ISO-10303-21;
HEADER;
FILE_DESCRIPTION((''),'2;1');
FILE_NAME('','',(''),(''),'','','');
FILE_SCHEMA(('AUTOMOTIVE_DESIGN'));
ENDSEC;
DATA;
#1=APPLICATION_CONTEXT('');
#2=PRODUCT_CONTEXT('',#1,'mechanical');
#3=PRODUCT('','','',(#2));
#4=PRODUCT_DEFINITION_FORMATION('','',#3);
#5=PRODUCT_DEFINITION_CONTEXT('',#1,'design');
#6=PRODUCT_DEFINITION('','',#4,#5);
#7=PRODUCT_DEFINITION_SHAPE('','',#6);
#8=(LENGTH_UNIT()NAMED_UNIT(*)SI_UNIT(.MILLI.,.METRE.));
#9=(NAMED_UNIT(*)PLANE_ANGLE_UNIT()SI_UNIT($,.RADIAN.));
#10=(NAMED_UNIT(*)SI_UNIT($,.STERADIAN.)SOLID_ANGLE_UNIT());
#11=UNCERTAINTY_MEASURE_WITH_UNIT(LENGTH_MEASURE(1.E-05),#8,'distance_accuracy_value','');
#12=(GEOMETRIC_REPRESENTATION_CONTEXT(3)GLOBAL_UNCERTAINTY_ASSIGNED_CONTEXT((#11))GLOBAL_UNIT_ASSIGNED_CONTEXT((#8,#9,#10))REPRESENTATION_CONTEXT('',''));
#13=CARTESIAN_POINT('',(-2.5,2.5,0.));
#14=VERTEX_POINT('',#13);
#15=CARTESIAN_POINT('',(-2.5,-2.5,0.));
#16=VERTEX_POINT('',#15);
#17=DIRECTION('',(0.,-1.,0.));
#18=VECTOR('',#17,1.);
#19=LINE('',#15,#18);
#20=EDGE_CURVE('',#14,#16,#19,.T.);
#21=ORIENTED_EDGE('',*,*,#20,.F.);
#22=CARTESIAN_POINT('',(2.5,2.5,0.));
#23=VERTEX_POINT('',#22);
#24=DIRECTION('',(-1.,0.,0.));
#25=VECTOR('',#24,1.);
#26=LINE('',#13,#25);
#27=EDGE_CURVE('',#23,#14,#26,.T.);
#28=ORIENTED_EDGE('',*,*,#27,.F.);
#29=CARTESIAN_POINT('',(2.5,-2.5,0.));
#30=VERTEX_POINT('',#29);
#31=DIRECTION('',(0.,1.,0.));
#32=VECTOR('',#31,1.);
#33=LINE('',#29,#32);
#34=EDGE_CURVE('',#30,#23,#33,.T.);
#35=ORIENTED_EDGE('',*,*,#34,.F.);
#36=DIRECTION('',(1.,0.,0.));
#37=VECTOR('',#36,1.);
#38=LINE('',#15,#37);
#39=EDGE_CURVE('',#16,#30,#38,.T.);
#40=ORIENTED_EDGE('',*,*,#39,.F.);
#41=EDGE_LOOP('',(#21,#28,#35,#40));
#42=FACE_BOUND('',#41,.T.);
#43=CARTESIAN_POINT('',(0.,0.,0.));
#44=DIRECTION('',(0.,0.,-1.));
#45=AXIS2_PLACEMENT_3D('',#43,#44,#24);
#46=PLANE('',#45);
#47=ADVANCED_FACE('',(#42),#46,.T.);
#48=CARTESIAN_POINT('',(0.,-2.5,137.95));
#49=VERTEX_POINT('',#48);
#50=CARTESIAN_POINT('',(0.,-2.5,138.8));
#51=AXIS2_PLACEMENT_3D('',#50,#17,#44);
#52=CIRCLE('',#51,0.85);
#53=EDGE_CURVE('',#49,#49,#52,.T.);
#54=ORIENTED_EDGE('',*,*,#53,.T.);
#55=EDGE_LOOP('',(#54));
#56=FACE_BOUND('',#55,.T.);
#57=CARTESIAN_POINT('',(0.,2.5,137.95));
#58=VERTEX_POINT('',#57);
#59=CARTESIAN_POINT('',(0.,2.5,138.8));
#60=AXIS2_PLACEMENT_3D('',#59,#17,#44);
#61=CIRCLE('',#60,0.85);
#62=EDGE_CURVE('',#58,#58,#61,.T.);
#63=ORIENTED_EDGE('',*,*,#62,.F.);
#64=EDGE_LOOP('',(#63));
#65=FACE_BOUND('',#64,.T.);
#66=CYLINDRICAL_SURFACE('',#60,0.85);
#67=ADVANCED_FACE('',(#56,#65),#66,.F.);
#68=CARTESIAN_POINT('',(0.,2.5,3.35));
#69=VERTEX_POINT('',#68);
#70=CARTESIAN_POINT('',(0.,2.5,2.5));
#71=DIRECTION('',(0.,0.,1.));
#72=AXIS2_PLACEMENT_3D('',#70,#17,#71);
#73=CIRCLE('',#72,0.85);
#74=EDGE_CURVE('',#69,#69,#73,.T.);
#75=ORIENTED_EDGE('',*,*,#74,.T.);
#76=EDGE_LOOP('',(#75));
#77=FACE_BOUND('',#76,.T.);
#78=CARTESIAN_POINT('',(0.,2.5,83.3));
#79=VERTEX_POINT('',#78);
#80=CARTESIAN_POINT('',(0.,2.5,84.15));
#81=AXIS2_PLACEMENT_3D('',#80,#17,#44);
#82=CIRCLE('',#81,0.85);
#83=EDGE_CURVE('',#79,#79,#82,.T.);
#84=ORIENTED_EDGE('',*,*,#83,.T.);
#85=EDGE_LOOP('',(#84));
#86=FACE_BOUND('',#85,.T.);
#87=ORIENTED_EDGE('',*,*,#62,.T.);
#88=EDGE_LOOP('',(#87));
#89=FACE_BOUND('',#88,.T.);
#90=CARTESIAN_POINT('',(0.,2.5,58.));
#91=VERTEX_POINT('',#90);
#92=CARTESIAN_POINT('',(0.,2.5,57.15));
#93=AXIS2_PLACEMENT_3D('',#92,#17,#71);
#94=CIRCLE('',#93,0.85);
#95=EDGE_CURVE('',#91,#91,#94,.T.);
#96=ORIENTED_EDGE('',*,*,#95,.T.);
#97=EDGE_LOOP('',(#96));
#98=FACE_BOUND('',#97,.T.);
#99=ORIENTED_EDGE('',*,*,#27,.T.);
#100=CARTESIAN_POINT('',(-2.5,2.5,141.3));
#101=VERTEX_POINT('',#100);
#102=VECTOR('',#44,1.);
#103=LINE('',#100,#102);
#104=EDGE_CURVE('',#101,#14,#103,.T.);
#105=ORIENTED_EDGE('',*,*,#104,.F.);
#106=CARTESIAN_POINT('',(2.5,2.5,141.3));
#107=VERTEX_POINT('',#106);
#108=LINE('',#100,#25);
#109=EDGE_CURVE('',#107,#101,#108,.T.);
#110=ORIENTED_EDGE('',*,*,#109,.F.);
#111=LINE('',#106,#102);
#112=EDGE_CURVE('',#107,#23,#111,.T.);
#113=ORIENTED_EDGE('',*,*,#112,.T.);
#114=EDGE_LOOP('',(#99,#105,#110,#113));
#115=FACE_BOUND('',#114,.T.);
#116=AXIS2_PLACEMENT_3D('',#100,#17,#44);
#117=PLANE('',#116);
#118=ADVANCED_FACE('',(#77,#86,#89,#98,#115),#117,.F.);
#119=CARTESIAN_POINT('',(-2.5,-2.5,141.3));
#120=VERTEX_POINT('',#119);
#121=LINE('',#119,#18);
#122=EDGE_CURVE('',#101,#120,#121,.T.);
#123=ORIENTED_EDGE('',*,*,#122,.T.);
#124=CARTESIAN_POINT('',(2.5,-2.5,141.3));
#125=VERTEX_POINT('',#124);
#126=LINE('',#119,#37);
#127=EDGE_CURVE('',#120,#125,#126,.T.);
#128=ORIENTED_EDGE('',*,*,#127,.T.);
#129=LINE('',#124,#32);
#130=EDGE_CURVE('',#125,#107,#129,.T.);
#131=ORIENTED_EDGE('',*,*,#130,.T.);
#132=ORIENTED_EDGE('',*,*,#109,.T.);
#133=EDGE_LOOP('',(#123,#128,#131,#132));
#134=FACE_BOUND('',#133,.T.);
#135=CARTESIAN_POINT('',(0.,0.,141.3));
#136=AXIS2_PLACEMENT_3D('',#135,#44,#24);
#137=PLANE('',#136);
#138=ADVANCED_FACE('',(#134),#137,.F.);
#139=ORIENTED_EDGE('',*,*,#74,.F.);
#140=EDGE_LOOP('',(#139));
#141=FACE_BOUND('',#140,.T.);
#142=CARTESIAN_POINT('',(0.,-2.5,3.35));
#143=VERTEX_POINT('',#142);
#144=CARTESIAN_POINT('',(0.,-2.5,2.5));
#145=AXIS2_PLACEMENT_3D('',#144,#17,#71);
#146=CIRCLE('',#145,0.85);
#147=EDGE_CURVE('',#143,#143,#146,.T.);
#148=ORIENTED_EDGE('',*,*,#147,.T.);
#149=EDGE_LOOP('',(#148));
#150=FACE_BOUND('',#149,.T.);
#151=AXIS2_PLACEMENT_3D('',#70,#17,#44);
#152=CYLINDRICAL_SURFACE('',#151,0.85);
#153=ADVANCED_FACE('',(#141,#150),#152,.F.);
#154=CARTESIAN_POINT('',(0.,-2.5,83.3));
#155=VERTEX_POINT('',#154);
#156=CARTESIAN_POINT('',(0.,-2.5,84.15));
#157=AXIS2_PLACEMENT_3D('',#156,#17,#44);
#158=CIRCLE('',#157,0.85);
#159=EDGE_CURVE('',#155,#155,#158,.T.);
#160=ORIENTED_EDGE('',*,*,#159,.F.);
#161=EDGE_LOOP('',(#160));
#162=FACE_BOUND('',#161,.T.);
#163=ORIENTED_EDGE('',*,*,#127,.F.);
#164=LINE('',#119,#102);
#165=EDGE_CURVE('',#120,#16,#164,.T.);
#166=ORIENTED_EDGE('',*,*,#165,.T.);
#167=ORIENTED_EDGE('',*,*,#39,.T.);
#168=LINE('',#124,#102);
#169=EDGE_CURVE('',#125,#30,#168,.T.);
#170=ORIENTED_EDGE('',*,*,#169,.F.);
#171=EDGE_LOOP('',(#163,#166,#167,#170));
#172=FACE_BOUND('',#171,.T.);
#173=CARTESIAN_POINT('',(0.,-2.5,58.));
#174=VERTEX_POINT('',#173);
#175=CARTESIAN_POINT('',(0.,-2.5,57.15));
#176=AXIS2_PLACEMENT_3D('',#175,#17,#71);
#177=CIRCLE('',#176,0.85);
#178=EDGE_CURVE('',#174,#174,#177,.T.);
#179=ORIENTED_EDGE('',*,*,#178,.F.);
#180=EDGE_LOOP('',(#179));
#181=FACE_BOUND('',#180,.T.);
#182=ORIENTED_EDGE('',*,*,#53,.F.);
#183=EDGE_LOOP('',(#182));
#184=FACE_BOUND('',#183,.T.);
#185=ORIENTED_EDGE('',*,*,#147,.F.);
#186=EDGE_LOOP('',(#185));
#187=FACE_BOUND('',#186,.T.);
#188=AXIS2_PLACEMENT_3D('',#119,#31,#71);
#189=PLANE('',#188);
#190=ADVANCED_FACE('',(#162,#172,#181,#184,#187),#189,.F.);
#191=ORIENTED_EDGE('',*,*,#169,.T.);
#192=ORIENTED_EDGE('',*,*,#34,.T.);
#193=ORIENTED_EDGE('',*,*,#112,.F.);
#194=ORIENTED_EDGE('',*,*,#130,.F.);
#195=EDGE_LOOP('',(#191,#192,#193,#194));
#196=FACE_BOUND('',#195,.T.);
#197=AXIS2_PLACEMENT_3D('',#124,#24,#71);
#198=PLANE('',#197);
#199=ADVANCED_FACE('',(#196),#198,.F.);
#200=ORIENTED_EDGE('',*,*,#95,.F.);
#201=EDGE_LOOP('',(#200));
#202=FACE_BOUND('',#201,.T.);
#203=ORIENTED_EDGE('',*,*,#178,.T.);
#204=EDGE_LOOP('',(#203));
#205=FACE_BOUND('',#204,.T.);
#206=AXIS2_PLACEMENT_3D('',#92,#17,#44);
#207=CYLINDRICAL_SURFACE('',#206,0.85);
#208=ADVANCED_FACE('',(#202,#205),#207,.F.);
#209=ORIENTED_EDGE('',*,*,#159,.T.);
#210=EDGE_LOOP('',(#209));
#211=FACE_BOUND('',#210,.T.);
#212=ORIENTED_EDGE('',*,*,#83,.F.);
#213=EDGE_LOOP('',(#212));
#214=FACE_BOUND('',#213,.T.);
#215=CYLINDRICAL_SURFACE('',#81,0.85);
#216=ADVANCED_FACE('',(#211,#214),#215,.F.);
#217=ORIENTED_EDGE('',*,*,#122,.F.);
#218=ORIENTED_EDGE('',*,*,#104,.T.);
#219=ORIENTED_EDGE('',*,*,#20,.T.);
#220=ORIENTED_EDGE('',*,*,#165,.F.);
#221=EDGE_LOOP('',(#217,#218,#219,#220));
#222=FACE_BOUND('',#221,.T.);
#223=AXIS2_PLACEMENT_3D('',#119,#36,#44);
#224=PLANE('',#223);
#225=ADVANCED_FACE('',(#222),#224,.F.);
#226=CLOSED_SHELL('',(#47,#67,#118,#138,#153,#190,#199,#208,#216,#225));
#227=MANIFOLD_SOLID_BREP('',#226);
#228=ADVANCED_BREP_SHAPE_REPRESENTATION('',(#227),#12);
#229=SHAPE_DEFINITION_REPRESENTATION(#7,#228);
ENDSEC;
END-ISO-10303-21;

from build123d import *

# Parameters (mm, degrees)
SKETCH1_W           = 5
SKETCH1_H           = 5
BOSS_EXTRUDE1_DEPTH = 141.3
SKETCH3_R           = 0.85
CUT_EXTRUDE2_DEPTH  = 142.41053709


with BuildPart() as part:
    # Sketch1 → Boss-Extrude1 (new body)
    with BuildSketch(Plane.XY):
        Rectangle(SKETCH1_W, SKETCH1_H)
    extrude(amount=BOSS_EXTRUDE1_DEPTH)

    # Sketch3 → Cut-Extrude2 (cut, through all)
    with BuildSketch(Plane.XZ.offset(2.5)):
        with Locations(Location((0, 138.8, 0), (0, 0, 270))):
            Circle(SKETCH3_R)
        with Locations(Location((0, 2.5, 0), (0, 0, 90))):
            Circle(SKETCH3_R)
        with Locations(Location((0, 84.15, 0), (0, 0, 270))):
            Circle(SKETCH3_R)
        with Locations(Location((0, 57.15, 0), (0, 0, 90))):
            Circle(SKETCH3_R)
    extrude(amount=-CUT_EXTRUDE2_DEPTH, mode=Mode.SUBTRACT)


solid = part.part
